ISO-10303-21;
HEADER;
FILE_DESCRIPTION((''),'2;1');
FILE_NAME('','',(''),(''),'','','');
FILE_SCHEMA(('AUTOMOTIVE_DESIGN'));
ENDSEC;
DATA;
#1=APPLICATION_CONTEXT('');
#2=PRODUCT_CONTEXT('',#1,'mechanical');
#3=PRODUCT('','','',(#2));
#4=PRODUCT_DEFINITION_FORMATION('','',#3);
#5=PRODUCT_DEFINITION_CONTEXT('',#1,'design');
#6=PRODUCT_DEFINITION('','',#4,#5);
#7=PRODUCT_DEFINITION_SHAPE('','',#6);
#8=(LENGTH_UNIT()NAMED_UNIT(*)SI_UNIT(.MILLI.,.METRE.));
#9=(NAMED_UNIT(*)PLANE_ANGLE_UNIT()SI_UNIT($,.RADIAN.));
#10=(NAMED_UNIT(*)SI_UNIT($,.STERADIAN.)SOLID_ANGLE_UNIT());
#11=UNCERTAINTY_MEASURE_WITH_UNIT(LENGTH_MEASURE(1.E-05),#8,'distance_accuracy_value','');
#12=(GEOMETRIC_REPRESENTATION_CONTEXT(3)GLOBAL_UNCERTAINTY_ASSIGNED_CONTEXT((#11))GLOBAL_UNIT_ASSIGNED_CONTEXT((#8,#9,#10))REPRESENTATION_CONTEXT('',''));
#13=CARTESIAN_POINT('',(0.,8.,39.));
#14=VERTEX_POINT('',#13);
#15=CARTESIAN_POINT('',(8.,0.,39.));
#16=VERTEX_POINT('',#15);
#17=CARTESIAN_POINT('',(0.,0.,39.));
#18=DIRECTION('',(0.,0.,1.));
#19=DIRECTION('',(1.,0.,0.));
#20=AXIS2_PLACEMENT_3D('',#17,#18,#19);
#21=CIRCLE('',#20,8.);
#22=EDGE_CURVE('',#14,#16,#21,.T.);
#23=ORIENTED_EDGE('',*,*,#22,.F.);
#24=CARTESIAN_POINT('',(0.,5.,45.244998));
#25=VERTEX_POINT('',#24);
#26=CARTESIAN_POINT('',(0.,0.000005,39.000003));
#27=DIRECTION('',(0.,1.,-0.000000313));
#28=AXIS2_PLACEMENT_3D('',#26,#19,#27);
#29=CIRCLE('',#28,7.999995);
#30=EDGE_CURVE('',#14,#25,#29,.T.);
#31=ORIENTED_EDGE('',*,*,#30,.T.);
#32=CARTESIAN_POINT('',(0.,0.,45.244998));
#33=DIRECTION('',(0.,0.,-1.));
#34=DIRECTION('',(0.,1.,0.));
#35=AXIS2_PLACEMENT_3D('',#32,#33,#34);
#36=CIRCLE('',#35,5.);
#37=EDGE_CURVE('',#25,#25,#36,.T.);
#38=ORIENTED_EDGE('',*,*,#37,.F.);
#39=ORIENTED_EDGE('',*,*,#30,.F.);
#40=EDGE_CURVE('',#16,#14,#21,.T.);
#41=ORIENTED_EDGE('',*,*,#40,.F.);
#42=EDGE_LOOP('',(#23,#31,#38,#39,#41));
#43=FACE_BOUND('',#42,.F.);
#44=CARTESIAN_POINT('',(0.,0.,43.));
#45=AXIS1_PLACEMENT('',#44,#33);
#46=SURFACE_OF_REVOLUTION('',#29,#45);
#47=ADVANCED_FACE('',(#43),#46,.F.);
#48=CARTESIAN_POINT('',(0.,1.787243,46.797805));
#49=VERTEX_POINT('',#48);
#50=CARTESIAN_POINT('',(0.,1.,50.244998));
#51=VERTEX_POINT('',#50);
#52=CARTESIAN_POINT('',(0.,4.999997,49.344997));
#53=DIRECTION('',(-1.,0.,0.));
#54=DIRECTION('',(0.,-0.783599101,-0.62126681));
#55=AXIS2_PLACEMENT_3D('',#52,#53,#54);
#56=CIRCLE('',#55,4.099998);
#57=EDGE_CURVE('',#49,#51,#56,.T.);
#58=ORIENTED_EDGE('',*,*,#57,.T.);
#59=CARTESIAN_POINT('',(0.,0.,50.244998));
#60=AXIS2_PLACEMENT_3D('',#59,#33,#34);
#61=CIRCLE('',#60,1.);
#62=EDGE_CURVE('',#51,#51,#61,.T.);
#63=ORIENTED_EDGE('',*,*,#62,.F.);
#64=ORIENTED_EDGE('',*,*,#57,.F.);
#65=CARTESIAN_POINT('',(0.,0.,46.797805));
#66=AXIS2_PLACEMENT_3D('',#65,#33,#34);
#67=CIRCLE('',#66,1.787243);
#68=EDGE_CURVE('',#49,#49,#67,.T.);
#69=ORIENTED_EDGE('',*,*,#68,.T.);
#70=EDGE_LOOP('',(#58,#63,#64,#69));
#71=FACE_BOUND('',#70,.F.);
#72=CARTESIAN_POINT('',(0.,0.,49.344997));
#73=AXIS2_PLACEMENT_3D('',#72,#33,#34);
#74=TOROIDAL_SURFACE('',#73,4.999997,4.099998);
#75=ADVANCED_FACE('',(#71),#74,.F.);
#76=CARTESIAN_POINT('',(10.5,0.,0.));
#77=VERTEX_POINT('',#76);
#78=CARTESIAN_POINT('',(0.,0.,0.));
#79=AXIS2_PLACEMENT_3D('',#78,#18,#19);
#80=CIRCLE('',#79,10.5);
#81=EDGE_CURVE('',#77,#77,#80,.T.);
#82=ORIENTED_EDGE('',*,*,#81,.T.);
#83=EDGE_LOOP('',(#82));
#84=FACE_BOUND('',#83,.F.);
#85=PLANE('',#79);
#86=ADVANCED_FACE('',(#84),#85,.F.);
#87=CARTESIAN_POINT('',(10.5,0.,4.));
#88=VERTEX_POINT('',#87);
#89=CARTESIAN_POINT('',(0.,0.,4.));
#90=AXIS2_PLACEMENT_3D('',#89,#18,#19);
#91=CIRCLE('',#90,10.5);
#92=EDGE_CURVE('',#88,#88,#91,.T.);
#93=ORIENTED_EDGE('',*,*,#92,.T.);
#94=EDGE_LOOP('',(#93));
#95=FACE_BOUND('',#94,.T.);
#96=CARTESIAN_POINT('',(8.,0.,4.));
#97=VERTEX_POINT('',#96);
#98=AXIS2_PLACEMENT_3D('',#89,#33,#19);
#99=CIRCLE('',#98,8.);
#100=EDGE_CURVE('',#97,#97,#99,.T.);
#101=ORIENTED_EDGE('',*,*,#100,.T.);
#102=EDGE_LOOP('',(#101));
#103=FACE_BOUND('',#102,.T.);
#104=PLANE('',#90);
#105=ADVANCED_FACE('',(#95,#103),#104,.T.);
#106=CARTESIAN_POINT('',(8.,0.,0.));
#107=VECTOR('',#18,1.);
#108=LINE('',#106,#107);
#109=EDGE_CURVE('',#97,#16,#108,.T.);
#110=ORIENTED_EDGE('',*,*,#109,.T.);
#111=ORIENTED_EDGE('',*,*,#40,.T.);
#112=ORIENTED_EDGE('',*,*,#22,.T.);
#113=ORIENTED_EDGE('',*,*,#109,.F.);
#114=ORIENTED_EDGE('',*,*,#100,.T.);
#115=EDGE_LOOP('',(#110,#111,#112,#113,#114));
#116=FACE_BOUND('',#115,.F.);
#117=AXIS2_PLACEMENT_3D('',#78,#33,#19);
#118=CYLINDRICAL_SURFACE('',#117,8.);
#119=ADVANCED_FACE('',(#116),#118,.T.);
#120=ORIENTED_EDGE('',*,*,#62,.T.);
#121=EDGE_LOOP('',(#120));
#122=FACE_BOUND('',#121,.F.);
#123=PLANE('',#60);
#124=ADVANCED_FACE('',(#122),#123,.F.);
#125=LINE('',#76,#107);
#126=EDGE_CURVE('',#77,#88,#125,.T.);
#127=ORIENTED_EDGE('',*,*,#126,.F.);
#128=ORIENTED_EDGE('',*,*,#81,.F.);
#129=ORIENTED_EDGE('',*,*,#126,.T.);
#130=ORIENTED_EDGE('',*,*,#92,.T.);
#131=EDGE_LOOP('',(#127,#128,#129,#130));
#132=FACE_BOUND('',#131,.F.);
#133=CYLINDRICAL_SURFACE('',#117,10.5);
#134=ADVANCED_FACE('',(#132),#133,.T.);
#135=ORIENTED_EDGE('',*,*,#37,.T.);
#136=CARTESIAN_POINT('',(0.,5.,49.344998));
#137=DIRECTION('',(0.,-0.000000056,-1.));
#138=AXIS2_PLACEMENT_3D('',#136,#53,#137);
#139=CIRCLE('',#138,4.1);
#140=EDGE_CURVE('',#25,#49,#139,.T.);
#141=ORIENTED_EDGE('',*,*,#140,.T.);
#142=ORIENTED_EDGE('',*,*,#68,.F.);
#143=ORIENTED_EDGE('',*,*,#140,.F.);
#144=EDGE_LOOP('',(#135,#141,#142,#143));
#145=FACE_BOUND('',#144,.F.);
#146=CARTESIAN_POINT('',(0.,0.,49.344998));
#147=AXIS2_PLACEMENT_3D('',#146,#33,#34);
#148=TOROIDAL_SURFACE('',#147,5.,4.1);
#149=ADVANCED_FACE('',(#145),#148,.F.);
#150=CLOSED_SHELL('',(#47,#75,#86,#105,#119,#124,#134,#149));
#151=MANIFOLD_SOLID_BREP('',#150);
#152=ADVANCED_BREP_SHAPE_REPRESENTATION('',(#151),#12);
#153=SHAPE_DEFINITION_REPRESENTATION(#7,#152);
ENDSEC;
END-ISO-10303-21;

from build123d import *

# Parameters (mm, degrees)
F0_R     = 10.5
F1_DEPTH = 4
F2_R     = 8
F3_DEPTH = 39


with BuildPart() as f1:
    # F0 (on Top) → F1 (new body)
    with BuildSketch(Plane.XY):
        Circle(F0_R)
    extrude(amount=F1_DEPTH)

    # F2 (on Top) → F3 (join)
    with BuildSketch(Plane.XY):
        Circle(F2_R)
    extrude(amount=F3_DEPTH)

    # F4 (on Right) → F5 (revolve)
    with BuildSketch(Plane.YZ):
        with BuildLine():
            Line((5, 45.244998), (0, 45.244998))
            Line((0, 45.244998), (0, 39))
            Line((0, 39), (8, 39))
            ThreePointArc((8, 39), (7.211103, 42.464102), (5, 45.244998))
        make_face()
        with BuildLine():
            Line((0, 50.244998), (0, 47))
            ThreePointArc((0, 47), (0.899322, 46.949291), (1.787243, 46.797805))
            ThreePointArc((1.787243, 46.797805), (1.002907, 48.432173), (1, 50.244998))
            Line((1, 50.244998), (0, 50.244998))
        make_face()
        with BuildLine():
            ThreePointArc((1.787243, 46.797805), (0.899322, 46.949291), (0, 47))
            Line((0, 47), (0, 45.244998))
            Line((0, 45.244998), (5, 45.244998))
            ThreePointArc((5, 45.244998), (3.215832, 45.653556), (1.787243, 46.797805))
        make_face()
    revolve(axis=Axis((0, 0, 43), (0, 0, -1)))


solid = f1.part
